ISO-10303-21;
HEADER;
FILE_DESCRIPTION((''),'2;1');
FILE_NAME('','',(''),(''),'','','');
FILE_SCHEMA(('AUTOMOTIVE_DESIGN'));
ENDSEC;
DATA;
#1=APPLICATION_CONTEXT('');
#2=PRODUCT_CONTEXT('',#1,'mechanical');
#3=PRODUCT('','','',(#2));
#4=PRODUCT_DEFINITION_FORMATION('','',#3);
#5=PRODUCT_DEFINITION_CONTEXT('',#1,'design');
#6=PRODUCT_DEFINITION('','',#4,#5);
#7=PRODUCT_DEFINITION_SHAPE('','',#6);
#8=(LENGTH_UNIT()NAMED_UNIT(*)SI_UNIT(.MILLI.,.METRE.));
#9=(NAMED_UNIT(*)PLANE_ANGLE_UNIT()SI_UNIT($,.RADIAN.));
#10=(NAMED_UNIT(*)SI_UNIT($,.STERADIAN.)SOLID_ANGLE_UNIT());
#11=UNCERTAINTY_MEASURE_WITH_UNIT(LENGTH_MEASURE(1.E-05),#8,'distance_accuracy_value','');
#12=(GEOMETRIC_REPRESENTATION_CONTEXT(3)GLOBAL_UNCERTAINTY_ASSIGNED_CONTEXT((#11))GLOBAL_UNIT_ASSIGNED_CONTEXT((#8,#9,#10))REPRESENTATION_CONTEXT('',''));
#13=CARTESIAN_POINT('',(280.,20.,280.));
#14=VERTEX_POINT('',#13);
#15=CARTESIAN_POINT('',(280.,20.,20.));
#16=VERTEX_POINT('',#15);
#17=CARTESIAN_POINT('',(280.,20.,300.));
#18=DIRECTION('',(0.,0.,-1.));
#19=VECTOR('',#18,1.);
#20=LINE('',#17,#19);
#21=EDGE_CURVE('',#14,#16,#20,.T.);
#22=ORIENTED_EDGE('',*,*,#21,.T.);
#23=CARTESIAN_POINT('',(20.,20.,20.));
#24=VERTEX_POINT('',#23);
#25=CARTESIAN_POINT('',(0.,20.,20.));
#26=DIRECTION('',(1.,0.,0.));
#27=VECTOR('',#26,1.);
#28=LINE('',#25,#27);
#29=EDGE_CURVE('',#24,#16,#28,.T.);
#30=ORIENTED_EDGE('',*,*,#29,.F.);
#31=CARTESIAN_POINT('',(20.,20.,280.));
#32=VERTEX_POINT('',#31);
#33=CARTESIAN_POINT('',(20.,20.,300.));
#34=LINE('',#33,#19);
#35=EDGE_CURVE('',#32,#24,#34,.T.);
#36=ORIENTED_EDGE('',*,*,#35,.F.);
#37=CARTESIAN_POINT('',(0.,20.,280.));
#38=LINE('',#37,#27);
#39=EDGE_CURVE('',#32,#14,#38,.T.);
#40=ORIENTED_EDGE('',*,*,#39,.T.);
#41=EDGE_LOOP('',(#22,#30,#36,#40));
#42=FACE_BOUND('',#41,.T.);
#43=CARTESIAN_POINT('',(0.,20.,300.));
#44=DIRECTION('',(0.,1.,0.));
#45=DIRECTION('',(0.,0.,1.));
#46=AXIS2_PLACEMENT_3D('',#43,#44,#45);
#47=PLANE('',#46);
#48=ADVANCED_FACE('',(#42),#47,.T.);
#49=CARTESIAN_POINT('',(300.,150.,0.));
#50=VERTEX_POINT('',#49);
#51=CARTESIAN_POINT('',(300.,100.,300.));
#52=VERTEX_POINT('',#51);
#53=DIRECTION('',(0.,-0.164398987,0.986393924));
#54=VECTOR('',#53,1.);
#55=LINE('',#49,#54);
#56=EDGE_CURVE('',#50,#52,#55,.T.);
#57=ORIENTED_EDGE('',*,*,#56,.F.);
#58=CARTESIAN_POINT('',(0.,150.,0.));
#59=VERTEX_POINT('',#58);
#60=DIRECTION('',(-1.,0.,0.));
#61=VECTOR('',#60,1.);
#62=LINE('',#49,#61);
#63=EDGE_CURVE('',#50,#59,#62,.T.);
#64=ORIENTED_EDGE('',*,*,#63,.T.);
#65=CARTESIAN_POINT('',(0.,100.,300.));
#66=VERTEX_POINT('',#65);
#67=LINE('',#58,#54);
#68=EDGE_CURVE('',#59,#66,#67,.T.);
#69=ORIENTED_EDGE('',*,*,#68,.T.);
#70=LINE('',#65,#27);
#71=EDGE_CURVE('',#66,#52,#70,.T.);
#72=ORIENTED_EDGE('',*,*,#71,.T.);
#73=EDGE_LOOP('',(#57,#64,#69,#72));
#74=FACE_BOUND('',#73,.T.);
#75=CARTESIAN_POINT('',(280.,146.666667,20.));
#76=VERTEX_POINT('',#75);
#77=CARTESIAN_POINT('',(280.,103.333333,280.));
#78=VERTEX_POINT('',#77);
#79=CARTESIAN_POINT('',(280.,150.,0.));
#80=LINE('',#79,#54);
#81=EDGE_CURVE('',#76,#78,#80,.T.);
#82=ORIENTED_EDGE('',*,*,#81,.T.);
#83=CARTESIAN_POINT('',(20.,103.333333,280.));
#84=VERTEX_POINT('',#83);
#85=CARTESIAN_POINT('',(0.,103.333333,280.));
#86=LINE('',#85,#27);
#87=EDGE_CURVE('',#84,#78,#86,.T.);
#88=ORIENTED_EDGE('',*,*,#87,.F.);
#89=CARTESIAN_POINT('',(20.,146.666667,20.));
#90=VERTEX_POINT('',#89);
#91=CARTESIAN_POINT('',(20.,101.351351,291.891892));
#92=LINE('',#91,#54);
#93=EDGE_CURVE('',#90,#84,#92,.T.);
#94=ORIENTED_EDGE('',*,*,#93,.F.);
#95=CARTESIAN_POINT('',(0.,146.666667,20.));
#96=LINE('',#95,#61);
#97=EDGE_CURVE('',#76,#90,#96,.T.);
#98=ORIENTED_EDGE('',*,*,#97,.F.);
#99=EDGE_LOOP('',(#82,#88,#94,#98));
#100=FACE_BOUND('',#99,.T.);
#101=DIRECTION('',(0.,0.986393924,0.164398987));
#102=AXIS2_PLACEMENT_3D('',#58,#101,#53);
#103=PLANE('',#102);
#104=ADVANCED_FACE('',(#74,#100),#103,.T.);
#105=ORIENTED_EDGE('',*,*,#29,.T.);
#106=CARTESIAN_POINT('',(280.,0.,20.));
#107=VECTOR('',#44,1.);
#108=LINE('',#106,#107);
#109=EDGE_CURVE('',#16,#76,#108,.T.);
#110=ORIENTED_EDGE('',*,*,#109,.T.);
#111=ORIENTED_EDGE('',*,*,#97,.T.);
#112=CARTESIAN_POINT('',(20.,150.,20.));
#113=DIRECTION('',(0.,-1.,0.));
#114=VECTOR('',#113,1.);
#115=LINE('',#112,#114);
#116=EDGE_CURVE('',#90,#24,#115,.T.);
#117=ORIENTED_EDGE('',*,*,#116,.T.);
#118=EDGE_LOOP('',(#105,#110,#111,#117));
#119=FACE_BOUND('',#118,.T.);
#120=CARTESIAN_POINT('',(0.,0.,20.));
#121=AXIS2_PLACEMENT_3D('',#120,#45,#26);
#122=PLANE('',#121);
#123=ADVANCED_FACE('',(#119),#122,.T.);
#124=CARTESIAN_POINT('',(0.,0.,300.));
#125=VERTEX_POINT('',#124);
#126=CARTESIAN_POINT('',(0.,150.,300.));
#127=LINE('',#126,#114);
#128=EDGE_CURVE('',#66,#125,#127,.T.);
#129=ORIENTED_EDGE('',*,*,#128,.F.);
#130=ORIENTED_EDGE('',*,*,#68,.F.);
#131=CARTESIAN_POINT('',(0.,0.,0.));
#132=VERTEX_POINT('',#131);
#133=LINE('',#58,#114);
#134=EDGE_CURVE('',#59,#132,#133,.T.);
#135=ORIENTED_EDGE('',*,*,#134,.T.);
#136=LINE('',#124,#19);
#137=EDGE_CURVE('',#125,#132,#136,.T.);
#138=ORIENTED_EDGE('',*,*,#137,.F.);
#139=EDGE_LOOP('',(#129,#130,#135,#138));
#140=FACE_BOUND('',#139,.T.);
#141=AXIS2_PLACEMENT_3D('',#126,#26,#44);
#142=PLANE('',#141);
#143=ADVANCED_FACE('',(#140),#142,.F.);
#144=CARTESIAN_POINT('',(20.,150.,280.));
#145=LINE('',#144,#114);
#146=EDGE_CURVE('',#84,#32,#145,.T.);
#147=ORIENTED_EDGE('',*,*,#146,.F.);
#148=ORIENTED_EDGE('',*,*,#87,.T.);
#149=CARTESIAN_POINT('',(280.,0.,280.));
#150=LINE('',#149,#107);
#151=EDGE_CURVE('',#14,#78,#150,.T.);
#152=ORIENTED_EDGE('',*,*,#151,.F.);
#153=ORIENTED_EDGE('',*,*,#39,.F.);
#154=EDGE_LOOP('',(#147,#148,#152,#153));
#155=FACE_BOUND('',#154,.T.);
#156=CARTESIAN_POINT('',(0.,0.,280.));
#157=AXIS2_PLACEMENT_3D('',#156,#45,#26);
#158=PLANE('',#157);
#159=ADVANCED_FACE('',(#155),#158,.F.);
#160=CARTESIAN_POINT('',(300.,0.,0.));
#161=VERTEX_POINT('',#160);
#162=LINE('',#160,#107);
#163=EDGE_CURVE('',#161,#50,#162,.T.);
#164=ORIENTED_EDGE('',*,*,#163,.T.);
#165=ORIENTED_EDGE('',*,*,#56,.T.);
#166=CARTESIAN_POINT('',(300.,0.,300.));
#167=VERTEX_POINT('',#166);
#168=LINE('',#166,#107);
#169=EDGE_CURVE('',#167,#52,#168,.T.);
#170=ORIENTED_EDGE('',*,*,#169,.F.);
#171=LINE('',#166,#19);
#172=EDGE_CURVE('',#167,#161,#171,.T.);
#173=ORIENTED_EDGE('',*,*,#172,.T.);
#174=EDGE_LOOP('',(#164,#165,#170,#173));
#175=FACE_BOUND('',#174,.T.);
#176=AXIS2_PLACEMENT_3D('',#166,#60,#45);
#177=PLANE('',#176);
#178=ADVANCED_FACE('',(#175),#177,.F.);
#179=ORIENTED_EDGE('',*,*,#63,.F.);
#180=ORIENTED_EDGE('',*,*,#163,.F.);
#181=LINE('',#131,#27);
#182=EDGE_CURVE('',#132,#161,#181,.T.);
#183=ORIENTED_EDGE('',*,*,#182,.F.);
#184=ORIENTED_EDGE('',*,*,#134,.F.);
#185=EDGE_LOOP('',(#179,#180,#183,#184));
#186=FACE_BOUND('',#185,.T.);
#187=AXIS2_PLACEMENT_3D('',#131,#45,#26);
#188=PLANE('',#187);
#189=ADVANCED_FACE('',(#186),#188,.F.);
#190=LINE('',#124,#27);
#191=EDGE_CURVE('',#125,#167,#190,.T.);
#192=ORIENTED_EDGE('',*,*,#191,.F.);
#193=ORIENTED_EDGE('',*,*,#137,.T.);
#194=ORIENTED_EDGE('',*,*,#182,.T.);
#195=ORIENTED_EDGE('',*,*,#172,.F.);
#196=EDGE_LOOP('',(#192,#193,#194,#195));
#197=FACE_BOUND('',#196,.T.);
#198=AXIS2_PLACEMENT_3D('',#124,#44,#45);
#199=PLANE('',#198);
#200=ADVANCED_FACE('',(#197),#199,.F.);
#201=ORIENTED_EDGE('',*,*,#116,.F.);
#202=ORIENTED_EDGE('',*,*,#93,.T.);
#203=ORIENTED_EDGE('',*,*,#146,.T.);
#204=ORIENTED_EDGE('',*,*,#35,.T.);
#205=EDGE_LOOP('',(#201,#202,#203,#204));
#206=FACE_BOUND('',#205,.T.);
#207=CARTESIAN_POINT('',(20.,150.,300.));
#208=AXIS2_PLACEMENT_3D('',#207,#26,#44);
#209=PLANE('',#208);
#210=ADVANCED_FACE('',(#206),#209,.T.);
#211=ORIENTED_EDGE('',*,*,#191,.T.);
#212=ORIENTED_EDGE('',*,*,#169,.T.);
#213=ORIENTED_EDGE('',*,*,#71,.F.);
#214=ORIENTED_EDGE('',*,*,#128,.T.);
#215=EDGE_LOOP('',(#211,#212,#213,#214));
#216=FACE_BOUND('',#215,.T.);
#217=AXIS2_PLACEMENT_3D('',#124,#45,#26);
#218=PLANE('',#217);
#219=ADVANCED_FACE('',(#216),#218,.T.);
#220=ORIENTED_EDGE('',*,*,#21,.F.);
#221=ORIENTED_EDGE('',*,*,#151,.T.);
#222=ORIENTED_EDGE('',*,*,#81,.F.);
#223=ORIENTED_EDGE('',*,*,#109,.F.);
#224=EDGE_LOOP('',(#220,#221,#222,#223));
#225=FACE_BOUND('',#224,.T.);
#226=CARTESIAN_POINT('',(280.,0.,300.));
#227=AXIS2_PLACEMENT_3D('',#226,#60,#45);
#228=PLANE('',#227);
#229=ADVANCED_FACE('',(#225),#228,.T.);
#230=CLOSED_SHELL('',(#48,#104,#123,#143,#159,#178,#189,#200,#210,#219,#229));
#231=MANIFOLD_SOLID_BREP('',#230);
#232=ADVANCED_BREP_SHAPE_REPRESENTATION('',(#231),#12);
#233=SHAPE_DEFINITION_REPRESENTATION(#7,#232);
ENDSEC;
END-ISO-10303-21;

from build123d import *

# Parameters (mm, degrees)
ESQUISSE1_W             = 300
ESQUISSE1_H             = 150
BOSS_EXTRU_1_DEPTH      = 300
ENL_V_MAT_EXTRU_5_DEPTH = 300
COQUE2_T                = -20


with BuildPart() as part:
    # Esquisse1 → Boss.-Extru.1 (new body)
    with BuildSketch(Plane.XY):
        with Locations((150, 75)):
            Rectangle(ESQUISSE1_W, ESQUISSE1_H)
    extrude(amount=BOSS_EXTRU_1_DEPTH)

    # Esquisse5 → Enlèv. mat.-Extru.5 (cut)
    with BuildSketch(Plane(origin=(300, 0, 0), x_dir=(0, 0, -1), z_dir=(1, 0, 0))):
        Polygon((0, 150), (-300, 100), (-300, 150), align=None)
    extrude(amount=-ENL_V_MAT_EXTRU_5_DEPTH, mode=Mode.SUBTRACT)

    # Coque2
    coque2_openings = [part.faces().sort_by_distance(p)[0] for p in [
        (150, 125, 150),
    ]]
    offset(amount=COQUE2_T, openings=coque2_openings, kind=Kind.INTERSECTION)


solid = part.part
